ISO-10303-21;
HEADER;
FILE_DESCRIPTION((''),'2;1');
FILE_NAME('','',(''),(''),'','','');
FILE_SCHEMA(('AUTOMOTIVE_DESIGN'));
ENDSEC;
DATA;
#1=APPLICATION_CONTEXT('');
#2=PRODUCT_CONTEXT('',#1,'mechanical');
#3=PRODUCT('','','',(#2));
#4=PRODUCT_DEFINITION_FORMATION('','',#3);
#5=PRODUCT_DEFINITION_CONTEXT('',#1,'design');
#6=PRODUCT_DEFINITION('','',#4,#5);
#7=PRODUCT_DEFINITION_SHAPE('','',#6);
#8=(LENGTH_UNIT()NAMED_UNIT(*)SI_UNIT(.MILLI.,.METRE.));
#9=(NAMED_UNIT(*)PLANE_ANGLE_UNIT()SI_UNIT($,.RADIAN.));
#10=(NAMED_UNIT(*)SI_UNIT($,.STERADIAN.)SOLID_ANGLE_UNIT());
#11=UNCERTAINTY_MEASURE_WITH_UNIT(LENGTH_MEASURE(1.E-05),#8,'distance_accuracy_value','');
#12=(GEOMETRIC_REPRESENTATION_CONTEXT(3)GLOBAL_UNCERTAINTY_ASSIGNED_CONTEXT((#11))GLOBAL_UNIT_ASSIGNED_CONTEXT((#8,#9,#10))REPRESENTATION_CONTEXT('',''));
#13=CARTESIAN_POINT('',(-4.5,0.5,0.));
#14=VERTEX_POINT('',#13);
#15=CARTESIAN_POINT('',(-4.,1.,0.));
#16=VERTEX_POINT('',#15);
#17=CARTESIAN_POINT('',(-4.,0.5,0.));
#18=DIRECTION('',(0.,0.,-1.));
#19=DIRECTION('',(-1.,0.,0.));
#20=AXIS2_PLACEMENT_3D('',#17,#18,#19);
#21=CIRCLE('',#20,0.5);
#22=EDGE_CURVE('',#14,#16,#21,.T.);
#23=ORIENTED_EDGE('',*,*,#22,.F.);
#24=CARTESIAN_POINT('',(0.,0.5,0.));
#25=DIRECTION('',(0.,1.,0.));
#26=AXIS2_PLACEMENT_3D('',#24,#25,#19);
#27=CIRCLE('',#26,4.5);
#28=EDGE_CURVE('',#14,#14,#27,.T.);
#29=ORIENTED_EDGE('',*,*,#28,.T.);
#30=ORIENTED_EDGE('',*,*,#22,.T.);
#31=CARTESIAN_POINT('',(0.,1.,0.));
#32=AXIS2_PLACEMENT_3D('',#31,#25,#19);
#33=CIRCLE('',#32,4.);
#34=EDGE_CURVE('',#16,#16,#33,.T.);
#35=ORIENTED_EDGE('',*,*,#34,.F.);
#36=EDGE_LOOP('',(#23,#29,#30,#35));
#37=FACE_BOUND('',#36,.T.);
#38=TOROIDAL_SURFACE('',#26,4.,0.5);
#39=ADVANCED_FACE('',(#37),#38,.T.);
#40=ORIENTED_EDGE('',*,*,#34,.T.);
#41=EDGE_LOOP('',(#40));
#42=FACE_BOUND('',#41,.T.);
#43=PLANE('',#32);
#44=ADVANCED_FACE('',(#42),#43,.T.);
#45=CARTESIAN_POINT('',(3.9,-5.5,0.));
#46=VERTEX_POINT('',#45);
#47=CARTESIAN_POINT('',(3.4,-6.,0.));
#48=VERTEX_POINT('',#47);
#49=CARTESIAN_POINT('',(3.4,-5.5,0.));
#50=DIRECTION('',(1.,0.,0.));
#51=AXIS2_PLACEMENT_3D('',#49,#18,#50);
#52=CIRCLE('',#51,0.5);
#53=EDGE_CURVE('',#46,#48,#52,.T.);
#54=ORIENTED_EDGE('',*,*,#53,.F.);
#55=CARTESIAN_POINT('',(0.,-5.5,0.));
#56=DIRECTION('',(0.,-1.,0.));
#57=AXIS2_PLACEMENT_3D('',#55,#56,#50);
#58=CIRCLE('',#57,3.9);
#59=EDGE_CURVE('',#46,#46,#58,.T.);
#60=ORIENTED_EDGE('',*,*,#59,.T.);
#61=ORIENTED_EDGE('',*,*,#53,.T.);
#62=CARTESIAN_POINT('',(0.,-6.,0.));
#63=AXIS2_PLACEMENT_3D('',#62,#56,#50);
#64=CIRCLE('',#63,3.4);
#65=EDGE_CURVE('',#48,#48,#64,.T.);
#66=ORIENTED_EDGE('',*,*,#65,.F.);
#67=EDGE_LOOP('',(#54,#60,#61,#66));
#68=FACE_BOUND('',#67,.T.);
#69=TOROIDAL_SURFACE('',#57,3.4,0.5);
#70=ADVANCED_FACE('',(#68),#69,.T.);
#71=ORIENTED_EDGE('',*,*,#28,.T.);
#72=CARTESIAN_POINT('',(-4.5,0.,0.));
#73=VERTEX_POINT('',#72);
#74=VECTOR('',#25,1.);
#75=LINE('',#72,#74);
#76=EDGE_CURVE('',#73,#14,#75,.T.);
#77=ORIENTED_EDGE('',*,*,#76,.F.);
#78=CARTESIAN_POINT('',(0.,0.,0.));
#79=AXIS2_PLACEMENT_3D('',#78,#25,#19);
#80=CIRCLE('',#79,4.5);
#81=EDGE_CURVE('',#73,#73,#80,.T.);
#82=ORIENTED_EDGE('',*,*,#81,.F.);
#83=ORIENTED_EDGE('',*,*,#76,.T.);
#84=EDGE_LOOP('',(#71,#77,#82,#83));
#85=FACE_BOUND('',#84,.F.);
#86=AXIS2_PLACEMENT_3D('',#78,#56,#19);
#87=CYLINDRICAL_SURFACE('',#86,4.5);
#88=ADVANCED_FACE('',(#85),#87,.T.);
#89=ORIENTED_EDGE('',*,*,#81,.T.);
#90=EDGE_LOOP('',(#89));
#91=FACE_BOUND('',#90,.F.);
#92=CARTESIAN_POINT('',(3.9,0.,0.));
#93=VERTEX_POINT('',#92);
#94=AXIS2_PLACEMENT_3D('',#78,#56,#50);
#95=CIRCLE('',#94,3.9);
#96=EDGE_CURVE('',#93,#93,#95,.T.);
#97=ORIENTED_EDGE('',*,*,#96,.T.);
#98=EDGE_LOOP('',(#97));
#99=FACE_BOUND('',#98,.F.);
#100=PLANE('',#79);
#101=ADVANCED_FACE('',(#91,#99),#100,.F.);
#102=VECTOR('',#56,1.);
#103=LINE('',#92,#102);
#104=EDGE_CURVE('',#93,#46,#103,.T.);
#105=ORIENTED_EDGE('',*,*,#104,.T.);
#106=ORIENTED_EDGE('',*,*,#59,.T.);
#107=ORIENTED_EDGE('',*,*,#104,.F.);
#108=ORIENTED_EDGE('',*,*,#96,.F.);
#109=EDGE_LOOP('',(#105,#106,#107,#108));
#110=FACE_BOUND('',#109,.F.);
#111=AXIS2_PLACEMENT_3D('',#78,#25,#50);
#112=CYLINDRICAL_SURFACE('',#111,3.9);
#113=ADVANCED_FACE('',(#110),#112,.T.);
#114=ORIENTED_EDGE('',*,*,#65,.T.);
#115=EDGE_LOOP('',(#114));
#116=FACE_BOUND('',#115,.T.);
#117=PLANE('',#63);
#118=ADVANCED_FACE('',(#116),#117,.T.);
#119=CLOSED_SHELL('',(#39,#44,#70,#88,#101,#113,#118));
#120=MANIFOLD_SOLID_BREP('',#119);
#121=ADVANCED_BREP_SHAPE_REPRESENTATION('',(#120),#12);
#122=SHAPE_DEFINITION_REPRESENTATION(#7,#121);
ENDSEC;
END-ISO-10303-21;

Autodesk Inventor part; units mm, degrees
ref_plane "YZ Plane" through (0, 0, 0) normal (1, 0, 0) x (0, 1, 0)
ref_plane "XZ Plane" through (0, 0, 0) normal (0, 1, 0) x (-1, 0, 0)
ref_plane "XY Plane" through (0, 0, 0) normal (0, 0, 1) x (1, 0, 0)
sketch "Boceto1" plane through (0, 0, 0) normal (0, 1, 0) x (-1, 0, 0)
  circle A0 centre (0, 0) radius 4.5
  dimension "d0" = 9
extrude "Extrusión1" add sketch "Boceto1" along normal blind 1
fillet "Empalme1" radius 0.5 1 edges at (4.5, 1, 0)
sketch "Boceto2" plane through (0, 0, 0) normal (0, -1, 0) x (1, 0, 0)
  circle A0 centre (0, 0) radius 3.9
  dimension "d4" = 7.8
extrude "Extrusión2" add sketch "Boceto2" along normal blind 6
fillet "Empalme2" radius 0.5 1 edges at (-3.9, -6, 0)
properties part number "sensor"
